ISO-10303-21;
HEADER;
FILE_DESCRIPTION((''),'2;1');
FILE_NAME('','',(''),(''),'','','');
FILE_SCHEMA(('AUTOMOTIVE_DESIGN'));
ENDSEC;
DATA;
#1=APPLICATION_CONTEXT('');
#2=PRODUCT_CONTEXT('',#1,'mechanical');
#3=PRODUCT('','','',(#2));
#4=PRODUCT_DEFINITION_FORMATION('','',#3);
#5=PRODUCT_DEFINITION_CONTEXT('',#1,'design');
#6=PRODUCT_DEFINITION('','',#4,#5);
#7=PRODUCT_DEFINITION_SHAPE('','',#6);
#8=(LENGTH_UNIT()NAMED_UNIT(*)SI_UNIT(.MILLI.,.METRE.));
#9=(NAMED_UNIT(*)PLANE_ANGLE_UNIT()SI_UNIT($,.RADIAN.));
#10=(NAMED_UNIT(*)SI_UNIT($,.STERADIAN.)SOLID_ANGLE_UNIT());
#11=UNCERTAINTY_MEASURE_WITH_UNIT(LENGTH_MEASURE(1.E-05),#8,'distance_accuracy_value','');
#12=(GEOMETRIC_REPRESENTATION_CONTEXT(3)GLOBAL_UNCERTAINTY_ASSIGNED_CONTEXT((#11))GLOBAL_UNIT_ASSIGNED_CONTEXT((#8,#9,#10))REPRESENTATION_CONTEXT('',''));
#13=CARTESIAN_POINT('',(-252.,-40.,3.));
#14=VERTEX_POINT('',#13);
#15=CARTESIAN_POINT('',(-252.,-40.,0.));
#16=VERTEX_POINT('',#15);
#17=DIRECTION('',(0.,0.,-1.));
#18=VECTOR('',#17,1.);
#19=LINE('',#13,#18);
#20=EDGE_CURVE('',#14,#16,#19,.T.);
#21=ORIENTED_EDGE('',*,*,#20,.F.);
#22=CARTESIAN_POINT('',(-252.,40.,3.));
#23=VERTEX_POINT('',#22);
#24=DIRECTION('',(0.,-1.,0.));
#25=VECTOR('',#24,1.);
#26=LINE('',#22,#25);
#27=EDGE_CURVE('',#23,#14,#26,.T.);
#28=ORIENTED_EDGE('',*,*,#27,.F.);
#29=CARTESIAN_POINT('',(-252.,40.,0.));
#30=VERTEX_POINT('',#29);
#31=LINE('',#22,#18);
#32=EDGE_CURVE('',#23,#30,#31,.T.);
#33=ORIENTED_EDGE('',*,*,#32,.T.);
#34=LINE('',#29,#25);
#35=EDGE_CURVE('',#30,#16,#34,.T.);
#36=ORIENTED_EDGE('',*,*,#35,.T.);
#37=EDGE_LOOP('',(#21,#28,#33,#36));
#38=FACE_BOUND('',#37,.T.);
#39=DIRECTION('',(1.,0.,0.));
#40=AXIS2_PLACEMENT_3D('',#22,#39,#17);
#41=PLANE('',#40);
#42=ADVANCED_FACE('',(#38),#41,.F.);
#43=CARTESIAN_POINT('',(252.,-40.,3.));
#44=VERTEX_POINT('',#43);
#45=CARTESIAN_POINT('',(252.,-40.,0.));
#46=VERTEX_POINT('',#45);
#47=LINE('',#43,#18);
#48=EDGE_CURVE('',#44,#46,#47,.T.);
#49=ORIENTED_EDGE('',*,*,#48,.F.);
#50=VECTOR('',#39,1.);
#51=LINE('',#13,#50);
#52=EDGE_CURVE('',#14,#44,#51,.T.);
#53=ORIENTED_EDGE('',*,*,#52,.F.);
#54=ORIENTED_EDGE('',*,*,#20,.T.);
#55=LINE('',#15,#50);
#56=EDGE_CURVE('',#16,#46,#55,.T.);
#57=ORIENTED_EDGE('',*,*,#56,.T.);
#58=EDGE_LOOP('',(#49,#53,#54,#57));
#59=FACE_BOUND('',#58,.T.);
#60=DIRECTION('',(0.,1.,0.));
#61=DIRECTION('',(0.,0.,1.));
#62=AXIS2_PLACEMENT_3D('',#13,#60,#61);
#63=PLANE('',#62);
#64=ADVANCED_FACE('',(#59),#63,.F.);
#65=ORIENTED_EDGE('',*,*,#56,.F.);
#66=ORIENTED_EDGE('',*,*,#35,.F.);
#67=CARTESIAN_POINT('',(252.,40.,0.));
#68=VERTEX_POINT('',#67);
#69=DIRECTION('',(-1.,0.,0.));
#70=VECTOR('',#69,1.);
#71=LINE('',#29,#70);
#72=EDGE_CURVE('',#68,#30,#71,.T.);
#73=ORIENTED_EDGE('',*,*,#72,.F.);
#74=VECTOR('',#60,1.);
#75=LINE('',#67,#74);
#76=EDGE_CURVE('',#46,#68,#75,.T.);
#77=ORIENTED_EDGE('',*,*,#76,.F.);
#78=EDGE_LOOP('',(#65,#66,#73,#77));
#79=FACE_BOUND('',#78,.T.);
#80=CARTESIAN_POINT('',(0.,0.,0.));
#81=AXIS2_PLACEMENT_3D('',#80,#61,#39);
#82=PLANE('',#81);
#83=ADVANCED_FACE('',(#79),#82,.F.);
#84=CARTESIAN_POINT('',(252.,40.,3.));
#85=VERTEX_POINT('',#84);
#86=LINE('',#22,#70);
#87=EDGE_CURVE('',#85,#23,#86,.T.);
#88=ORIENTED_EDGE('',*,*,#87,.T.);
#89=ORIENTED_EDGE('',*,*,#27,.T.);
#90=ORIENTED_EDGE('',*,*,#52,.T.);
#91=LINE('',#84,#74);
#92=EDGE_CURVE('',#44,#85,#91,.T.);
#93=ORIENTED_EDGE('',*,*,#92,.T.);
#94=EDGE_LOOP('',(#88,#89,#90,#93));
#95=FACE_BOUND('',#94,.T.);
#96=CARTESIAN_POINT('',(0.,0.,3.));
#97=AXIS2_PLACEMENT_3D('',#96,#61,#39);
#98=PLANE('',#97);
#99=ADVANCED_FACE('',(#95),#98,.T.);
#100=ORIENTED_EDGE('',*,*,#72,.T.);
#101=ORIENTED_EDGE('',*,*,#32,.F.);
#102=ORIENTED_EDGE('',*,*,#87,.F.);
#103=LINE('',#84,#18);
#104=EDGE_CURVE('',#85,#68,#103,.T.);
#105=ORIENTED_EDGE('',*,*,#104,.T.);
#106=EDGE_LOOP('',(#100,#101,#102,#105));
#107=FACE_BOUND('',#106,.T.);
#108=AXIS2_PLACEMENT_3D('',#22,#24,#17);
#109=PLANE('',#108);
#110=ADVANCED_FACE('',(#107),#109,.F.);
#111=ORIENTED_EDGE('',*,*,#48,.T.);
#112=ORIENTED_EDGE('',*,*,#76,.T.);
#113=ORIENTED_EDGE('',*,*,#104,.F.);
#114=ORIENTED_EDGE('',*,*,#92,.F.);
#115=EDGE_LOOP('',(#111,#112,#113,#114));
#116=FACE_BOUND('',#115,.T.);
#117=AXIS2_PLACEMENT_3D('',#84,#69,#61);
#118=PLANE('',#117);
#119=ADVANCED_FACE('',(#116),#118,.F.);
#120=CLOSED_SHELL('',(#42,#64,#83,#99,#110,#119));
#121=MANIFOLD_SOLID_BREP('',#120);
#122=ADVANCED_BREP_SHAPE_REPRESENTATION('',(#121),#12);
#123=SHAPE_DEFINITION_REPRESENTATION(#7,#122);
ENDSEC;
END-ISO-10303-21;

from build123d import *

# Parameters (mm, degrees)
SKICA1_W                = 504
SKICA1_H                = 80
P_IDAT_VYSUNUT_M1_DEPTH = 3


with BuildPart() as part:
    # Skica1 → Přidat vysunutím1 (new body)
    with BuildSketch(Plane.XY):
        Rectangle(SKICA1_W, SKICA1_H)
    extrude(amount=P_IDAT_VYSUNUT_M1_DEPTH)


solid = part.part
